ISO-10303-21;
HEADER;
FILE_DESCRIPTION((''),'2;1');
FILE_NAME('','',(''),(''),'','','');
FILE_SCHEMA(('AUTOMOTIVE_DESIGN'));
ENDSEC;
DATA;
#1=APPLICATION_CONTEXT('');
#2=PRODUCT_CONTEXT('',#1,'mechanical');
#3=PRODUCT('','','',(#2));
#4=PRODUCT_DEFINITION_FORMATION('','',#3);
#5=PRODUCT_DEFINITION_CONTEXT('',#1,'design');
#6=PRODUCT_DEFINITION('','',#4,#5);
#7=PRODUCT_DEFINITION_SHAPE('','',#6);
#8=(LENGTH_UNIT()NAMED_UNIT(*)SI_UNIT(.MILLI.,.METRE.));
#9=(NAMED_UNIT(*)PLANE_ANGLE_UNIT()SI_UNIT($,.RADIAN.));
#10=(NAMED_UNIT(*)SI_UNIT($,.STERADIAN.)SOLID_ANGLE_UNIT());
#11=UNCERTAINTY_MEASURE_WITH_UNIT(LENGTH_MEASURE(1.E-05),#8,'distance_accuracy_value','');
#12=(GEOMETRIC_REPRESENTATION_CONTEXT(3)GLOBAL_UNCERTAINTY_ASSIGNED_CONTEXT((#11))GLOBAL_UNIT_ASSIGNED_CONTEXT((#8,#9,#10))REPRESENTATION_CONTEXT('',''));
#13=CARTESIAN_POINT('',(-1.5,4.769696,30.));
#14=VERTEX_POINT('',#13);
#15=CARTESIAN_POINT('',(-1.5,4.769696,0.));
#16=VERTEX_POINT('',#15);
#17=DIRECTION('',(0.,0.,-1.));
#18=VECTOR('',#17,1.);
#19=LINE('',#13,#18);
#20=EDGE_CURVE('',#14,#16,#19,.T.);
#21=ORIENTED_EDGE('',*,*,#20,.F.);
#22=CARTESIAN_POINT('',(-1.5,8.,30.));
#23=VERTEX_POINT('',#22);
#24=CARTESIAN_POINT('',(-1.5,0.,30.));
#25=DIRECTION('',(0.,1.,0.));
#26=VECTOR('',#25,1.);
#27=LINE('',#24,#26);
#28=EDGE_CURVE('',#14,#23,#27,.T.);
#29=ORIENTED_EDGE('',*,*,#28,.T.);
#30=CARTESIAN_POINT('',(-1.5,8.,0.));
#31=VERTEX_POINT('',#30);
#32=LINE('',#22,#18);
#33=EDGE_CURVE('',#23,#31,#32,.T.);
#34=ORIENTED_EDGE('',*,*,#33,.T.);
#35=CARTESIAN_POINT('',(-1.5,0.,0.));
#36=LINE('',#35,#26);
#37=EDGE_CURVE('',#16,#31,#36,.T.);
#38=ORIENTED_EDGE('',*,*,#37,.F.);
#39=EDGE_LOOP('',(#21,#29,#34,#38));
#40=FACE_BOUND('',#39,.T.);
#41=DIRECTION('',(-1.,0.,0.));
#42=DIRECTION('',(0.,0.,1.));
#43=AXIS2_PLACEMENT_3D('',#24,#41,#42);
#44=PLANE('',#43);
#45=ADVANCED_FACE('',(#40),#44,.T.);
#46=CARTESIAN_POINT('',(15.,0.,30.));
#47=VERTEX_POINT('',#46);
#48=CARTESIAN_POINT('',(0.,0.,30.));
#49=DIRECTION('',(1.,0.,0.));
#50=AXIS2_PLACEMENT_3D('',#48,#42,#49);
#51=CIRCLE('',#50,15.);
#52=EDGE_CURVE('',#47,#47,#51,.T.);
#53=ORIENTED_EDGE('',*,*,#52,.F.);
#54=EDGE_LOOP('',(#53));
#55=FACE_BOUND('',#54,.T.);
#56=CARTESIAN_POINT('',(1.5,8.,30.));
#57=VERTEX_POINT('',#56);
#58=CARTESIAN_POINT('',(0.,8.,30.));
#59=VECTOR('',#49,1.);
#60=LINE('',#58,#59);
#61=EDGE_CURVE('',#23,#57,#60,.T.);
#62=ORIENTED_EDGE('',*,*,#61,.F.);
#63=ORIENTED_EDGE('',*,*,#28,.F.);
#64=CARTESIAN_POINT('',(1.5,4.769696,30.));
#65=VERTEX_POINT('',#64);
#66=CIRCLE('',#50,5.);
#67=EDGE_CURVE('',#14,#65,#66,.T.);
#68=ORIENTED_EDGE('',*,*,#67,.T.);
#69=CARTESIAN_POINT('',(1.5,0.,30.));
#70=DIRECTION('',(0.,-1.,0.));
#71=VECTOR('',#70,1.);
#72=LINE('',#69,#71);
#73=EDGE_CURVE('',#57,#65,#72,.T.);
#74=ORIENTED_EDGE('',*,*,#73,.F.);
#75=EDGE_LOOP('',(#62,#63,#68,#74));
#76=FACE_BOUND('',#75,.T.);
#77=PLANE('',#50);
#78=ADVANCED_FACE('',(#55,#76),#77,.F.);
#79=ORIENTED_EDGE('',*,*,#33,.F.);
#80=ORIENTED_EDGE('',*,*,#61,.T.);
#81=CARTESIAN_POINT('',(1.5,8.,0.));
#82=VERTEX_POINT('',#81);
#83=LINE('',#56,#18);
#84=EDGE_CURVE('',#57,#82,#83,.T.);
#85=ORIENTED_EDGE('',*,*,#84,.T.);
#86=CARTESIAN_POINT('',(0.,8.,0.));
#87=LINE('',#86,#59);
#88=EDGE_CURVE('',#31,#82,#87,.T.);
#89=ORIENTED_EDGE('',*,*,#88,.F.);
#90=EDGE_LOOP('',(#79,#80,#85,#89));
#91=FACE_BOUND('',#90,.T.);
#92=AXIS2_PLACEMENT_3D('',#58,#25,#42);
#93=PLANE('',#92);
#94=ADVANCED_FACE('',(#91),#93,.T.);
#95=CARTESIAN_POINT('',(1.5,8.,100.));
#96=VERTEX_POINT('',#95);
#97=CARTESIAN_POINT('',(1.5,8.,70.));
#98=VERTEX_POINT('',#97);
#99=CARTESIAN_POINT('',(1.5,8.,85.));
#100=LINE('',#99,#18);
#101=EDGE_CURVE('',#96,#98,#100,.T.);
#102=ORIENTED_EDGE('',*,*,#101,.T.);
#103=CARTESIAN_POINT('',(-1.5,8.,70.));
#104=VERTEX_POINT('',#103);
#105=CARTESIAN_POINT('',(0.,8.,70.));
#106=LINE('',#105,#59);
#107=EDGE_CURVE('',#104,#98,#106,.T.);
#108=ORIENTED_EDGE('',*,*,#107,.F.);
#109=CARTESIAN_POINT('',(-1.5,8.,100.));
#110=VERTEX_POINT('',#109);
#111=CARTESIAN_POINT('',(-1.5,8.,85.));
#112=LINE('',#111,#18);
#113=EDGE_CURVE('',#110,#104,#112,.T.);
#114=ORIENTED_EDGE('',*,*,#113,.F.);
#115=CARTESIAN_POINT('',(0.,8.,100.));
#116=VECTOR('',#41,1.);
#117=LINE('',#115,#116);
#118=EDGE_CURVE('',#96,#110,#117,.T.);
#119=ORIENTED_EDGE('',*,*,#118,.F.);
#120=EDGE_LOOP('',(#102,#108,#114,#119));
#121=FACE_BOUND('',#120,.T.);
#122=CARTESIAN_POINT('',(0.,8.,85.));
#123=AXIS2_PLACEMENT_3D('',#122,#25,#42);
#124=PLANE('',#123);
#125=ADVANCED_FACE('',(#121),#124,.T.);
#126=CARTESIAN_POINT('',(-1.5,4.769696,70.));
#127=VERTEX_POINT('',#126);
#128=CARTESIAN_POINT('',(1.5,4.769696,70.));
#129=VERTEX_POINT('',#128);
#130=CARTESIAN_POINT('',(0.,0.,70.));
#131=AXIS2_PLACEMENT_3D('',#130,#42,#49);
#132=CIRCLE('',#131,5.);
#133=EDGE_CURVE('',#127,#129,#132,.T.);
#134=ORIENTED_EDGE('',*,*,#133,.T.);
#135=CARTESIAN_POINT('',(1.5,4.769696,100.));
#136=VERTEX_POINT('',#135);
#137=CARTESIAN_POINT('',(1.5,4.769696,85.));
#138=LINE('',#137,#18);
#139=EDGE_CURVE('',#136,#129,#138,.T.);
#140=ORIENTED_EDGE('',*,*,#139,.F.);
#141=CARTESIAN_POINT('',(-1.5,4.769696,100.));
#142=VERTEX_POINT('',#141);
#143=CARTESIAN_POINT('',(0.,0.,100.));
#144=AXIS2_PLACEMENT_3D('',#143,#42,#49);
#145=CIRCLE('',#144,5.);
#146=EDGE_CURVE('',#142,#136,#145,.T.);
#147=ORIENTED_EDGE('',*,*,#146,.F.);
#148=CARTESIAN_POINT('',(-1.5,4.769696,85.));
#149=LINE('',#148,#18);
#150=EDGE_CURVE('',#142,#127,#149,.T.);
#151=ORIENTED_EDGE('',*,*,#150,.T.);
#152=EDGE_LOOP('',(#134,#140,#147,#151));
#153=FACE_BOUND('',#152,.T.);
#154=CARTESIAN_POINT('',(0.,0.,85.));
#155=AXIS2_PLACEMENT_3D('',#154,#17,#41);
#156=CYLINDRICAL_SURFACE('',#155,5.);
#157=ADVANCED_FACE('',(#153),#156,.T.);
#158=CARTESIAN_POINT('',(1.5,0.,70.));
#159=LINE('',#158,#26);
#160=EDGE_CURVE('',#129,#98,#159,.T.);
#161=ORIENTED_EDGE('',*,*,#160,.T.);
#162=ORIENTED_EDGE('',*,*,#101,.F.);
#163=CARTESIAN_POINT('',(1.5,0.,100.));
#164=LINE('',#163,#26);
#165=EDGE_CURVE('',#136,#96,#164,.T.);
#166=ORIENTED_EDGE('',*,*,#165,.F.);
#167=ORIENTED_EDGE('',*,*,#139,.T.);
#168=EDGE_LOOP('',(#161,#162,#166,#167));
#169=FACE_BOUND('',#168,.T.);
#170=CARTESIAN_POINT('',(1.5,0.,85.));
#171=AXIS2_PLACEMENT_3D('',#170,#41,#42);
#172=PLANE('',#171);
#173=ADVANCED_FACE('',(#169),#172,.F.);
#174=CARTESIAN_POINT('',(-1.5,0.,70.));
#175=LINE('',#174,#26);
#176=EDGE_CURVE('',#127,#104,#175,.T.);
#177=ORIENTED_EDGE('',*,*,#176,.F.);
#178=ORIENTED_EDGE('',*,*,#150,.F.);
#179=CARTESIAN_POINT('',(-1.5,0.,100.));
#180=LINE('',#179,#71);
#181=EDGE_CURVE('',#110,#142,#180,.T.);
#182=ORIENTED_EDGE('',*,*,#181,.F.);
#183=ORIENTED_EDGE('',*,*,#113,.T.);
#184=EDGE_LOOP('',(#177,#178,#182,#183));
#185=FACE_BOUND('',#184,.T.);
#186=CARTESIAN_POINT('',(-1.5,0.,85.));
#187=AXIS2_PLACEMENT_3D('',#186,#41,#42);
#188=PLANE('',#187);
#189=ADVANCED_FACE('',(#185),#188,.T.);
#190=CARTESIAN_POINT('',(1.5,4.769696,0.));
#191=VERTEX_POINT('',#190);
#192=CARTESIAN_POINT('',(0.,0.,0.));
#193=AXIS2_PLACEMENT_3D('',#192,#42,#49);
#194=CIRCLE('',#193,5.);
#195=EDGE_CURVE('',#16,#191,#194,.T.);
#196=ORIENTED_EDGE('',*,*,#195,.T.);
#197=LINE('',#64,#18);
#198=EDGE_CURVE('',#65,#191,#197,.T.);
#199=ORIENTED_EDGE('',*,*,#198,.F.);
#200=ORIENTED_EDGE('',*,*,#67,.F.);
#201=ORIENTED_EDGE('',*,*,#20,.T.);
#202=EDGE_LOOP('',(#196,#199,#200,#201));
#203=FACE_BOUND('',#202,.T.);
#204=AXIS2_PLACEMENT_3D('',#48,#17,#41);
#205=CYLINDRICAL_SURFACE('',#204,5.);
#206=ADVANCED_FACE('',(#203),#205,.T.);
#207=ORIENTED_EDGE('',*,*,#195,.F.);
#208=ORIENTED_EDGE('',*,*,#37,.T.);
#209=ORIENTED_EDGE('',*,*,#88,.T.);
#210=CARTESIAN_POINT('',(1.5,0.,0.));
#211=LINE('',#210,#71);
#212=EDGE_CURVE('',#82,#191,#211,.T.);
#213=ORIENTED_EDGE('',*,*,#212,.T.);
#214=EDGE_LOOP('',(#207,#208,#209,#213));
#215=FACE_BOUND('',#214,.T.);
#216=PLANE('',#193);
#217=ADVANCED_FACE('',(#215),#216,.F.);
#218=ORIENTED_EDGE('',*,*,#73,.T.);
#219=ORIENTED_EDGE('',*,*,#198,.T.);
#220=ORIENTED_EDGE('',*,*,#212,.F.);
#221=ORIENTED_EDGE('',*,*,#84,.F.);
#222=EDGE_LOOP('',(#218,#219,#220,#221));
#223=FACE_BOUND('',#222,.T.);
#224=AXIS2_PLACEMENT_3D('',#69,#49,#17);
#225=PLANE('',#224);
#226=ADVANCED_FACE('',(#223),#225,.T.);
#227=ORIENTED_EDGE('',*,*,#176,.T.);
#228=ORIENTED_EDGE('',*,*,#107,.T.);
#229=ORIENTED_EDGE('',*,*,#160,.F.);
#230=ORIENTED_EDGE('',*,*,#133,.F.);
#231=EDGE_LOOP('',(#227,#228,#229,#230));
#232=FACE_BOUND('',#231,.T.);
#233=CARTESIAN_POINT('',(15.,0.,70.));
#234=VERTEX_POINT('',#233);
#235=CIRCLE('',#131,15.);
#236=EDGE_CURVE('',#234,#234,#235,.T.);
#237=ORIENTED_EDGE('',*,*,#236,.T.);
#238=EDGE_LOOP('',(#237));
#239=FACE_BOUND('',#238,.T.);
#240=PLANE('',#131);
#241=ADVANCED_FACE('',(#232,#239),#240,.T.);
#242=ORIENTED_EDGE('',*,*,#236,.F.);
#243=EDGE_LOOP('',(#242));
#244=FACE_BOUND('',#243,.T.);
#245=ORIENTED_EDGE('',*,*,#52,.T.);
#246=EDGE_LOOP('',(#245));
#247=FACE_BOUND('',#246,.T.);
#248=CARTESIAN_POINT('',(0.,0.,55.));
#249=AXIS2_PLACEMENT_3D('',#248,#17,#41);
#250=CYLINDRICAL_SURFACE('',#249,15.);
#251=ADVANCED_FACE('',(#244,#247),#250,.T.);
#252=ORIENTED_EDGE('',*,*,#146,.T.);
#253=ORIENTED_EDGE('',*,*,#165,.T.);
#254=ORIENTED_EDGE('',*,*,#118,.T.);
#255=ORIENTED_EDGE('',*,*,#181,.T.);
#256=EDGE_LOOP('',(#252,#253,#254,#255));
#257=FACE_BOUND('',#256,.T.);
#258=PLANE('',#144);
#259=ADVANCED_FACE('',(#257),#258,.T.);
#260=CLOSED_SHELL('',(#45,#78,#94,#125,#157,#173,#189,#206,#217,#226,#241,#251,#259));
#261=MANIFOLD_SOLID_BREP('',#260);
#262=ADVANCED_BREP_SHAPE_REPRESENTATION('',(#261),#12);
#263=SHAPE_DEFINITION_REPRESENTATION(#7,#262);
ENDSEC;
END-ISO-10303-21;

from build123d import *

# Parameters (mm, degrees)
EXTRUDE_1_DEPTH = 30
SKETCH_2_R      = 15
EXTRUDE_2_DEPTH = 25
EXTRUDE_3_DEPTH = 30
SKETCH_4_R      = 15
EXTRUDE_4_DEPTH = 15
EXTRUDE_5_DEPTH = 15


with BuildPart() as part:
    # 草图1 → 凸台-拉伸1 (new body)
    with BuildSketch(Plane.XY):
        with BuildLine():
            Line((-1.5, 8), (-1.5, 4.769696007))
            ThreePointArc((-1.5, 4.769696007), (0, 5), (1.5, 4.769696007))
            Line((1.5, 4.769696007), (1.5, 8))
            Line((1.5, 8), (-1.5, 8))
        make_face()
        with BuildLine():
            Line((1.5, 0), (0, 0))
            Line((0, 0), (-1.5, 0))
            Line((-1.5, 0), (-1.5, 4.769696007))
            ThreePointArc((-1.5, 4.769696007), (-2.958039892, -4.031128874), (5, 0))
            ThreePointArc((5, 0), (4.031128874, 2.958039892), (1.5, 4.769696007))
            Line((1.5, 4.769696007), (1.5, 0))
        make_face()
        with BuildLine():
            Line((-1.5, 0), (0, 0))
            Line((0, 0), (1.5, 0))
            Line((1.5, 0), (1.5, 4.769696007))
            ThreePointArc((1.5, 4.769696007), (0, 5), (-1.5, 4.769696007))
            Line((-1.5, 4.769696007), (-1.5, 0))
        make_face()
    extrude(amount=EXTRUDE_1_DEPTH)

    # 草图2 → 凸台-拉伸2 (add)
    with BuildSketch(Plane.XY.offset(30)):
        Circle(SKETCH_2_R)
    extrude(amount=EXTRUDE_2_DEPTH)

    # 草图3 → 凸台-拉伸3 (add)
    with BuildSketch(Plane.XY.offset(55)):
        with BuildLine():
            Line((1.5, 0), (0, 0))
            Line((0, 0), (-1.5, 0))
            Line((-1.5, 0), (-1.5, 4.769696007))
            ThreePointArc((-1.5, 4.769696007), (-2.958039892, -4.031128874), (5, 0))
            ThreePointArc((5, 0), (4.031128874, 2.958039892), (1.5, 4.769696007))
            Line((1.5, 4.769696007), (1.5, 0))
        make_face()
        with BuildLine():
            Line((-1.5, 0), (0, 0))
            Line((0, 0), (1.5, 0))
            Line((1.5, 0), (1.5, 4.769696007))
            ThreePointArc((1.5, 4.769696007), (0, 5), (-1.5, 4.769696007))
            Line((-1.5, 4.769696007), (-1.5, 0))
        make_face()
        with BuildLine():
            Line((-1.5, 8), (-1.5, 4.769696007))
            ThreePointArc((-1.5, 4.769696007), (0, 5), (1.5, 4.769696007))
            Line((1.5, 4.769696007), (1.5, 8))
            Line((1.5, 8), (-1.5, 8))
        make_face()
    extrude(amount=EXTRUDE_3_DEPTH)

    # 草图4 → 凸台-拉伸4 (add)
    with BuildSketch(Plane.XY.offset(55)):
        Circle(SKETCH_4_R)
    extrude(amount=EXTRUDE_4_DEPTH)

    # 草图5 → 凸台-拉伸5 (add)
    with BuildSketch(Plane.XY.offset(85)):
        with BuildLine():
            ThreePointArc((1.5, 4.769696007), (0, 5), (-1.5, 4.769696007))
            ThreePointArc((-1.5, 4.769696007), (-2.958039892, -4.031128874), (5, 0))
            ThreePointArc((5, 0), (4.031128874, 2.958039892), (1.5, 4.769696007))
        make_face()
        with BuildLine():
            Line((1.5, 8), (-1.5, 8))
            Line((-1.5, 8), (-1.5, 4.769696007))
            ThreePointArc((-1.5, 4.769696007), (0, 5), (1.5, 4.769696007))
            Line((1.5, 4.769696007), (1.5, 8))
        make_face()
    extrude(amount=EXTRUDE_5_DEPTH)


solid = part.part
